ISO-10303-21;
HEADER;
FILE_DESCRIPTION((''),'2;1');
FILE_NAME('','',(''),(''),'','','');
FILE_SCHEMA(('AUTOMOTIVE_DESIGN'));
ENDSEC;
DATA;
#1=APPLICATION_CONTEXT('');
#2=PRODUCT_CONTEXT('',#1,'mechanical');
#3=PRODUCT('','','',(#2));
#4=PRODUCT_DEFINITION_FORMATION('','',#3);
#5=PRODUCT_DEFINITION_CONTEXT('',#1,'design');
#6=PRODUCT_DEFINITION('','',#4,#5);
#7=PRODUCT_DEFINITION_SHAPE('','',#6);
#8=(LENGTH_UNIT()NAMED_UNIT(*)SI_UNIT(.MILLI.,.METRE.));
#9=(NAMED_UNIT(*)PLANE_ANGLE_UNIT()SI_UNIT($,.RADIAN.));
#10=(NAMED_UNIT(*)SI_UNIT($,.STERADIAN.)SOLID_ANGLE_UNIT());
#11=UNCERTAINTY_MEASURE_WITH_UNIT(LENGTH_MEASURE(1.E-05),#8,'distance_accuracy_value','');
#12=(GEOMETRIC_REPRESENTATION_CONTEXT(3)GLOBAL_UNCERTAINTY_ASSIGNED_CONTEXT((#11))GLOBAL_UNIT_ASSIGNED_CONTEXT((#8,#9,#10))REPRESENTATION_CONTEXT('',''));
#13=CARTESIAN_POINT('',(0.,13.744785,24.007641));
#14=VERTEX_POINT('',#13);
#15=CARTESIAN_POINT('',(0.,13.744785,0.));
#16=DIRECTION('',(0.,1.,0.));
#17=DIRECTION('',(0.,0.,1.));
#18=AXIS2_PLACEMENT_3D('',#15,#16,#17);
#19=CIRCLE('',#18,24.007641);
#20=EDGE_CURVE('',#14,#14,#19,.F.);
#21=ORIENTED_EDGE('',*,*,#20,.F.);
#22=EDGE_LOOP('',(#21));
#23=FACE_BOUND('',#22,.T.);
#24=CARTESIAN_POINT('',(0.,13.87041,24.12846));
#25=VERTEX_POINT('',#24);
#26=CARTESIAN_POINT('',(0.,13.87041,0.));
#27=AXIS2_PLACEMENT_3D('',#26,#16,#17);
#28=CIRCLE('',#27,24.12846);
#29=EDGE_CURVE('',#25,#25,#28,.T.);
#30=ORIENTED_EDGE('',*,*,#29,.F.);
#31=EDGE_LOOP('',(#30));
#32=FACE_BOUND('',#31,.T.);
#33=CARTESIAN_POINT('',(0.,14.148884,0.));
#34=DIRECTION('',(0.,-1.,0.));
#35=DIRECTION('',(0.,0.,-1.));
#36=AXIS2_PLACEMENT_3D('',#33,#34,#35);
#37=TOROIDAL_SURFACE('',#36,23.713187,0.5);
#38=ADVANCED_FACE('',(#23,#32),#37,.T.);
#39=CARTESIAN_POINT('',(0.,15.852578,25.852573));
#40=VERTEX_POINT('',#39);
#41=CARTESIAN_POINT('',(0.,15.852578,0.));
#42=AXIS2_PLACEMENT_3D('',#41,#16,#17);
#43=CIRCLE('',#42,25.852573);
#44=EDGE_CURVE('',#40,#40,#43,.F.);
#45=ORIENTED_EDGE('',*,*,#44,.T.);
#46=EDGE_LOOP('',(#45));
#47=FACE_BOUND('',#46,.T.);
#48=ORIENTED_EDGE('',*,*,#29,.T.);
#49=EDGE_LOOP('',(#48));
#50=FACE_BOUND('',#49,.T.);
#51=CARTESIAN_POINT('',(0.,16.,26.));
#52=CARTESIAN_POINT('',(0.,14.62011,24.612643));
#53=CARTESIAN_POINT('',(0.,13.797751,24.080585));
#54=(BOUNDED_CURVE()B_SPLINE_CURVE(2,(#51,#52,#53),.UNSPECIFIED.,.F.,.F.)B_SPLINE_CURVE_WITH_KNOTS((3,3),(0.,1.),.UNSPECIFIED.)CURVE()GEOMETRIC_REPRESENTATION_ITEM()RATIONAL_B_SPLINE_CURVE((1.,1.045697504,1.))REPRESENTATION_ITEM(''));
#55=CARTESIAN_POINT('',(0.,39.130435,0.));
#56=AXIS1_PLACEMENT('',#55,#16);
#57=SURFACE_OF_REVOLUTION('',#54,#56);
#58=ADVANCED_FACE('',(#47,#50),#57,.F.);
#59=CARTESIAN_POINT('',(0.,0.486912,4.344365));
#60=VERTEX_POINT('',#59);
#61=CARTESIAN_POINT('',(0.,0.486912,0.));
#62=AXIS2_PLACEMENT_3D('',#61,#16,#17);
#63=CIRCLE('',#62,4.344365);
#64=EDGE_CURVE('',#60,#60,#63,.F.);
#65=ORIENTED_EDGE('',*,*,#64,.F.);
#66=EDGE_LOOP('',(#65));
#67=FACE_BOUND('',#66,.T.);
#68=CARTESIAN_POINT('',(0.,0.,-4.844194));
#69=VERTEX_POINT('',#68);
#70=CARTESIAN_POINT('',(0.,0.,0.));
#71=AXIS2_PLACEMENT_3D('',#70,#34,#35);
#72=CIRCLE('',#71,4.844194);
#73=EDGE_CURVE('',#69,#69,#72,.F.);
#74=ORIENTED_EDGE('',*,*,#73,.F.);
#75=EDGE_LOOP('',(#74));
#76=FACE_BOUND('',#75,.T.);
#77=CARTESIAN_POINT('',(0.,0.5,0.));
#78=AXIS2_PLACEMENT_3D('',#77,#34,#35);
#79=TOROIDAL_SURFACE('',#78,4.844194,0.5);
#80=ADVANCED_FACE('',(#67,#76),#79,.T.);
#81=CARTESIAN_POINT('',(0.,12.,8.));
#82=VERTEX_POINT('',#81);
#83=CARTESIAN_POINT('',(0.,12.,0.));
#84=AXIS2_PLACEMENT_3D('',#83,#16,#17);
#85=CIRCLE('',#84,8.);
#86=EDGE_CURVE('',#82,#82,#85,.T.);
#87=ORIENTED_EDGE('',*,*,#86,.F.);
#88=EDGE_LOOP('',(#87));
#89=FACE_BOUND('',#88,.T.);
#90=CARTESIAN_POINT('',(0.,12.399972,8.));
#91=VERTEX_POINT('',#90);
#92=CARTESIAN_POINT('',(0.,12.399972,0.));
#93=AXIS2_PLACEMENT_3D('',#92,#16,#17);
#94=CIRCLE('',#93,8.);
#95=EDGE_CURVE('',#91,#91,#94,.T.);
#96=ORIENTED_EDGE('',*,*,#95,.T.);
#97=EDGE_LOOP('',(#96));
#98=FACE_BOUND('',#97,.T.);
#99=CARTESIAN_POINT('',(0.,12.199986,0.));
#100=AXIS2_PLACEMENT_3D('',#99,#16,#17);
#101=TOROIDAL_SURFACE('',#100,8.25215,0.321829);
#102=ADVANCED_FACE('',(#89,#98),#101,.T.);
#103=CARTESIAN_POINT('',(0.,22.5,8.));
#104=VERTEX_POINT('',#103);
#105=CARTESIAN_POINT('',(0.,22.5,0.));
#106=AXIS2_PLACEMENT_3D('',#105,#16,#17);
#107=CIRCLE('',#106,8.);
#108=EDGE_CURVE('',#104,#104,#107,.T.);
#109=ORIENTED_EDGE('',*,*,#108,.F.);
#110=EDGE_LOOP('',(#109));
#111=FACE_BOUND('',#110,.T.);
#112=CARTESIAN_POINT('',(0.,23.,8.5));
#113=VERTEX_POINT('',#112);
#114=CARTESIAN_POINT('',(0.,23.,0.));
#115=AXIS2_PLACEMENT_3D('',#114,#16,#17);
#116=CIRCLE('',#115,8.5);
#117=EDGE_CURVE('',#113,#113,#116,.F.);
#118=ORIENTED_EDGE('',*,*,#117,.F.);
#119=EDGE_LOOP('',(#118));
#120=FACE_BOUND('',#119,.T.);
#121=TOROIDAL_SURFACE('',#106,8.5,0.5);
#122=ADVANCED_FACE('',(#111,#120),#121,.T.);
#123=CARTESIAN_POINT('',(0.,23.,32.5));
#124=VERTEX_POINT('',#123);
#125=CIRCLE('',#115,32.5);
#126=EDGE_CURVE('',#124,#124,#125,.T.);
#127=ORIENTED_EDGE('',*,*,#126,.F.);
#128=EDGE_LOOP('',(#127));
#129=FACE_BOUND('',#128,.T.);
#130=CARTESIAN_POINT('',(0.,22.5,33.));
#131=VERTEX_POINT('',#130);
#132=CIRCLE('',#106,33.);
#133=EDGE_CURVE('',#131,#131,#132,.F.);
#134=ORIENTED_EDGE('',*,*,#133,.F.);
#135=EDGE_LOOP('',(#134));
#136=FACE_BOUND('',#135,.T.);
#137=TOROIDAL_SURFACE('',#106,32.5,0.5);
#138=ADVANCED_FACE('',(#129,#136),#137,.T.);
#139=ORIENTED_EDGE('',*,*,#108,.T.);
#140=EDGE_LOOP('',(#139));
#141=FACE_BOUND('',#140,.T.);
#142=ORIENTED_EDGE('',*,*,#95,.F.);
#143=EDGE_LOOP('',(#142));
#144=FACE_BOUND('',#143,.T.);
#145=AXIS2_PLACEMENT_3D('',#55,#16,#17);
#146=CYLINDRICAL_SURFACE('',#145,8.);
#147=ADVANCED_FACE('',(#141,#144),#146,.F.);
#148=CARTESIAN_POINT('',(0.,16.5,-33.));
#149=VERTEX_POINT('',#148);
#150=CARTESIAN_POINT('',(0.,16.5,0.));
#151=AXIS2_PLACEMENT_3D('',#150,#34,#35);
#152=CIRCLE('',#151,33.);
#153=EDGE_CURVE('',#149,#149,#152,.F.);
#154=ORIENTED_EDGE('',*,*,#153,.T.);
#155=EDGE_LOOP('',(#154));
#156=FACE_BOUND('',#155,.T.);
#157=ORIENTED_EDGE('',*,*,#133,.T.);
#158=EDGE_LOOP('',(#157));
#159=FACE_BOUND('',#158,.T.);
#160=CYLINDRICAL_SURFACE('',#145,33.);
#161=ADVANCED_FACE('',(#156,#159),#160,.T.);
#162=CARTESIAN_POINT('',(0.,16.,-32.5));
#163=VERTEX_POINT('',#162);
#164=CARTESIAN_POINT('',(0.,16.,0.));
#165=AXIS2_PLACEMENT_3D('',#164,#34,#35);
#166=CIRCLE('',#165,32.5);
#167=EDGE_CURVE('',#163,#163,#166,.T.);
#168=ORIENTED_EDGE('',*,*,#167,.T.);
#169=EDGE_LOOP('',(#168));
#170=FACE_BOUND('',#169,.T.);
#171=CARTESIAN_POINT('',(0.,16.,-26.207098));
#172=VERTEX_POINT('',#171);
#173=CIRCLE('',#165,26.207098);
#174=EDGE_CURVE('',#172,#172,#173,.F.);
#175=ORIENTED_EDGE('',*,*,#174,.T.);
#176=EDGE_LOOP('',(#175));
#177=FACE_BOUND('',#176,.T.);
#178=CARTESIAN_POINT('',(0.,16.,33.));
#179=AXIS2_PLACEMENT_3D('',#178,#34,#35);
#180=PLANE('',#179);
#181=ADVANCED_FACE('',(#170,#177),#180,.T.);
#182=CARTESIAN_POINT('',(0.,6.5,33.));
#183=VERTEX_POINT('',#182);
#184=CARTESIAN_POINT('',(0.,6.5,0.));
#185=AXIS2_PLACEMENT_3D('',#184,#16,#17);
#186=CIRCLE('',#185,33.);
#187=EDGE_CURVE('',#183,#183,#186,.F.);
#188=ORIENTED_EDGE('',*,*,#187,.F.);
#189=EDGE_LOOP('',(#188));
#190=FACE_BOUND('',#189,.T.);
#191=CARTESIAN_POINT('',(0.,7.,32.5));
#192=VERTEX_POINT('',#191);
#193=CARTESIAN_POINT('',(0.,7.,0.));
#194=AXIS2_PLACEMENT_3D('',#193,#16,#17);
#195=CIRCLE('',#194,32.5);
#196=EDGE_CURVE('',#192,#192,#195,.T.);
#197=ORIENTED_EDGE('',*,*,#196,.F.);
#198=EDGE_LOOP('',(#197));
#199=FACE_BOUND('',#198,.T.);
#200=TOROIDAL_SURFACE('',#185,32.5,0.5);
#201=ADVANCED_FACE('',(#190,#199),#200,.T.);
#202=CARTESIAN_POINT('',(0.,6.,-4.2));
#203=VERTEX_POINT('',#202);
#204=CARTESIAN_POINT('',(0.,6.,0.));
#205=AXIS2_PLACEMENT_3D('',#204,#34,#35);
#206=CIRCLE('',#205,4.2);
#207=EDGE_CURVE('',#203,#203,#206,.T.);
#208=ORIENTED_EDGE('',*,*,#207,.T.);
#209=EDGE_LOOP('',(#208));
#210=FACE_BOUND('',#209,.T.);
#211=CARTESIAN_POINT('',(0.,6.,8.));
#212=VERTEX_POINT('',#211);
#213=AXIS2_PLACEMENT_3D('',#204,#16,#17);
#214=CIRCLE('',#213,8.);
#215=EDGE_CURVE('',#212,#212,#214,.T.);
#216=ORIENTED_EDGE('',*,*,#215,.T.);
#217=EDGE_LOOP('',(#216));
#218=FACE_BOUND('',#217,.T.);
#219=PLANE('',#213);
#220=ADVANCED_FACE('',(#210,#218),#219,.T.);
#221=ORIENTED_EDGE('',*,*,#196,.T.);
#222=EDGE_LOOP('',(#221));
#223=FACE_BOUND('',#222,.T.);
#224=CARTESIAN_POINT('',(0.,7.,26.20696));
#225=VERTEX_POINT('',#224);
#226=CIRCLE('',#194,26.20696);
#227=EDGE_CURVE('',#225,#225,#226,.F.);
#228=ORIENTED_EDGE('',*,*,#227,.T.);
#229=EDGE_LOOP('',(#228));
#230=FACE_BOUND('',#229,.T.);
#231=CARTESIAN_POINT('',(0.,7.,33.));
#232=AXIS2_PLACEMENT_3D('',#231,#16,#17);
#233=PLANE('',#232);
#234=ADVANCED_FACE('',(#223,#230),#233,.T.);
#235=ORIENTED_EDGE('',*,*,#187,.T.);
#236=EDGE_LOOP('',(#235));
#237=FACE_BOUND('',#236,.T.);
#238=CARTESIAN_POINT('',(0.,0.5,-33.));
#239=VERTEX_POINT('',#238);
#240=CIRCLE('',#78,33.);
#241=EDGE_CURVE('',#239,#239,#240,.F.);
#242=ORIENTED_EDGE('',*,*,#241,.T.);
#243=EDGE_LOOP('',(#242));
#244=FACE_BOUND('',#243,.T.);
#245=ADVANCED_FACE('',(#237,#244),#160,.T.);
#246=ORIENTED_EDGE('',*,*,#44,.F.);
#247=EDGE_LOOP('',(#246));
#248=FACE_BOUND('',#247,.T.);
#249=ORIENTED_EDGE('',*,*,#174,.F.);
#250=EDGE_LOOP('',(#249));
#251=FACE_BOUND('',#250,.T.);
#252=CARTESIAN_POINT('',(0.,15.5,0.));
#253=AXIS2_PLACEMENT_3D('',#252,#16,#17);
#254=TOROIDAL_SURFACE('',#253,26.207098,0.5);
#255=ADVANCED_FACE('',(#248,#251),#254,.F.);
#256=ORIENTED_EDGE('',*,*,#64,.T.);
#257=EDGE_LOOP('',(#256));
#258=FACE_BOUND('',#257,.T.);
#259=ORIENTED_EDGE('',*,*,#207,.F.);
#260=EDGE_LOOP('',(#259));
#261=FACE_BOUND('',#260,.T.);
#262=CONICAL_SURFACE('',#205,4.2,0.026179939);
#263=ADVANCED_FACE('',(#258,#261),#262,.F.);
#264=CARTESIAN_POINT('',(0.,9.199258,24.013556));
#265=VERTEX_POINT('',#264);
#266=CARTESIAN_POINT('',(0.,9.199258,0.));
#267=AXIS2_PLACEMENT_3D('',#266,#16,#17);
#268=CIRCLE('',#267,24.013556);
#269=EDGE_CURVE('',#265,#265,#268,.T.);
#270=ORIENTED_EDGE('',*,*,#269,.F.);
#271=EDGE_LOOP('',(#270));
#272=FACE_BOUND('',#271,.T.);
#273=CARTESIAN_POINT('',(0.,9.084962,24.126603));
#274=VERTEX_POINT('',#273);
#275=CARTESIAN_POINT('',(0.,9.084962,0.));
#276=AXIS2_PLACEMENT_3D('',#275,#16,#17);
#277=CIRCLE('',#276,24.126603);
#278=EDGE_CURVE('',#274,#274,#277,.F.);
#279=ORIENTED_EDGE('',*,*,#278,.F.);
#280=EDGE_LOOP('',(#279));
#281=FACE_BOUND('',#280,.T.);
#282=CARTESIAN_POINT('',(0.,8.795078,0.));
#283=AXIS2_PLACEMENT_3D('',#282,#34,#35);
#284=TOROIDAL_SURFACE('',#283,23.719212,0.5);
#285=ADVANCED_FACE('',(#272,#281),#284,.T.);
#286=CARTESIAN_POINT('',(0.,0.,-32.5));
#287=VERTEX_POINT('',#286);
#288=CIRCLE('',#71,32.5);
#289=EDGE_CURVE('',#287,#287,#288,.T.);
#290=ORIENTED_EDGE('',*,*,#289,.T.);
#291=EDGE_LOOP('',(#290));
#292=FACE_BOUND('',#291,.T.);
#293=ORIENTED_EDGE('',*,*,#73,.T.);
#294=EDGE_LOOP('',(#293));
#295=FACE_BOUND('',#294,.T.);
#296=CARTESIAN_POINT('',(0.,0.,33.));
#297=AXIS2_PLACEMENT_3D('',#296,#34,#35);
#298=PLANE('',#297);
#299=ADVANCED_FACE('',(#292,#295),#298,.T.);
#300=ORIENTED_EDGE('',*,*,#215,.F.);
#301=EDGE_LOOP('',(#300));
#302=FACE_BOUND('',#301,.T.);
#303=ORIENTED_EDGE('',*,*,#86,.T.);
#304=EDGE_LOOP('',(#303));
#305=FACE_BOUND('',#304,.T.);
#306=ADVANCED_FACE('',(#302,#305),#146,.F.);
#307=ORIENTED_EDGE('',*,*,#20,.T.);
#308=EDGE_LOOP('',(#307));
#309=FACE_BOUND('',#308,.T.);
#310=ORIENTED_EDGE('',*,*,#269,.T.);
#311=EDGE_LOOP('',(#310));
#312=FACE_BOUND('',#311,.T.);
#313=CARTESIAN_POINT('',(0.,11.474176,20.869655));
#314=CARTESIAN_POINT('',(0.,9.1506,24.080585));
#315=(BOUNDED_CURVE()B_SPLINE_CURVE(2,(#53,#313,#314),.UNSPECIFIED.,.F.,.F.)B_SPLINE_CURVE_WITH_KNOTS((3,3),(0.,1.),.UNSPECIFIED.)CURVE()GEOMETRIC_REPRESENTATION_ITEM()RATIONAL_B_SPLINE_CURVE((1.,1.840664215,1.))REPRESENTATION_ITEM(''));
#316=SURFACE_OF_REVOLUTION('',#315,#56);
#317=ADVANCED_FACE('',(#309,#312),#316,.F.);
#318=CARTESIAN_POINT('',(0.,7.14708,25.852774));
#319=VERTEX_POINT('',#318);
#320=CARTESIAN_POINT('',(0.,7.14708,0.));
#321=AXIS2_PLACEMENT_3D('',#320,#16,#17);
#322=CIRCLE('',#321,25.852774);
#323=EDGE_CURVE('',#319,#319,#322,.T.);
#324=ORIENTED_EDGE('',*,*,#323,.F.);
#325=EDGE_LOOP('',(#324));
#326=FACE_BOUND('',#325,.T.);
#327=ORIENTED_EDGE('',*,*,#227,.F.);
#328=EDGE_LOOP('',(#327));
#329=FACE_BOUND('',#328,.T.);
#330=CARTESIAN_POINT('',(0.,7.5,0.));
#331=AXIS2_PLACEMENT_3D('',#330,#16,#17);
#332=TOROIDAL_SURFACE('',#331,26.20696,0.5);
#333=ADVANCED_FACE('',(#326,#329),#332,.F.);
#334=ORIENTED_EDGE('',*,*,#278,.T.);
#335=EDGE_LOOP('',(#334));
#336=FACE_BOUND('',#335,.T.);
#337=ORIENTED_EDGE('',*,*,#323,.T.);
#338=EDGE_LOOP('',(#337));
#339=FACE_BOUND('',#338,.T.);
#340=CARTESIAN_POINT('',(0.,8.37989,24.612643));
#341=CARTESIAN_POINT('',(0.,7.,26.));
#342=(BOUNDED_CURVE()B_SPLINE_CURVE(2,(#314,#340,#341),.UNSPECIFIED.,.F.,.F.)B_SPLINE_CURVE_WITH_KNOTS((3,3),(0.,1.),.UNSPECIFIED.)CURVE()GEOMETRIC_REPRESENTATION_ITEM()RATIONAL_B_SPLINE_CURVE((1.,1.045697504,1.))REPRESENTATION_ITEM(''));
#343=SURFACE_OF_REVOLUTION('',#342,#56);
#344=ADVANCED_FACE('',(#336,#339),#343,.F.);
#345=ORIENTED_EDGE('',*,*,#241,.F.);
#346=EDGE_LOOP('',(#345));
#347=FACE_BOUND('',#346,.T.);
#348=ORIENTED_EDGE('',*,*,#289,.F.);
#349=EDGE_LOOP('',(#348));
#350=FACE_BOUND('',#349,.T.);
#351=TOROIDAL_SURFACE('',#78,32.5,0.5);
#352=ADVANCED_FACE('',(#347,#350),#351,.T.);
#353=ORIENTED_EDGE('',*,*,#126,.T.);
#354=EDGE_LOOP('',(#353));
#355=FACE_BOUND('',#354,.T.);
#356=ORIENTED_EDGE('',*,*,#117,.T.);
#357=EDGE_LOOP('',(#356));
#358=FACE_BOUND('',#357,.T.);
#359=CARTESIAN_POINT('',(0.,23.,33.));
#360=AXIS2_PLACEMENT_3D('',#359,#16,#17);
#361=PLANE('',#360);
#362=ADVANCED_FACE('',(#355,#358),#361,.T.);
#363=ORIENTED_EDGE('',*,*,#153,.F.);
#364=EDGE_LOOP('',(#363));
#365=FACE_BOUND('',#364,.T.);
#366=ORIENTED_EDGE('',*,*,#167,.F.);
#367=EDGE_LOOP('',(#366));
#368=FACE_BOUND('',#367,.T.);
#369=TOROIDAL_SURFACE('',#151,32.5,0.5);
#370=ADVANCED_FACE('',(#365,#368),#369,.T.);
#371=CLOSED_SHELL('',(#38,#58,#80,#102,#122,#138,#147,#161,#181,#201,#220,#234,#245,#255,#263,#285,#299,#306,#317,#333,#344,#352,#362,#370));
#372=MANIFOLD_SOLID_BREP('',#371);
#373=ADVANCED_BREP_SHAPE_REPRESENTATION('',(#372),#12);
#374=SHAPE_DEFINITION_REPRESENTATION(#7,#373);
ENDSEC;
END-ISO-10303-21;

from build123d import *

# Parameters (mm, degrees)
SKETCH2_R          = 4.2
CUT_EXTRUDE1_DEPTH = 50.668903753
CUT_EXTRUDE1_DRAFT = -1.5
FILLET1_R          = 0.5


with BuildPart() as part:
    # Sketch1 → Revolve1 (revolve)
    with BuildSketch(Plane(origin=(0, 0, 0), x_dir=(0, 0, -1), z_dir=(1, 0, 0))):
        with BuildLine():
            Line((-33, 0), (0, 0))
            Line((0, 0), (0, 6))
            Line((0, 6), (-8, 6))
            Line((-8, 6), (-8, 12))
            ThreePointArc((-8, 12), (-7.93032073, 12.199986164), (-8, 12.399972329))
            Line((-8, 12.399972329), (-8, 15.5))
            Line((-8, 15.5), (-8, 23))
            Line((-8, 23), (-33, 23))
            Line((-33, 23), (-33, 16))
            Line((-33, 16), (-26, 16))
            add(Edge.make_bspline(
                [(-24.080585445, 13.797751197), (-24.612643103, 14.620109751), (-26, 16)],
                knots=[0, 0, 0, 1, 1, 1], degree=2, weights=[1, 1.045697504, 1]))
            add(Edge.make_bspline(
                [(-24.080585445, 13.797751197), (-20.86965508, 11.474175575), (-24.080585445, 9.150599954)],
                knots=[0, 0, 0, 1, 1, 1], degree=2, weights=[1, 1.840664215, 1]))
            add(Edge.make_bspline(
                [(-26, 7), (-24.612643103, 8.379890249), (-24.080585445, 9.150599954)],
                knots=[0, 0, 0, 1, 1, 1], degree=2, weights=[1, 1.045697504, 1]))
            Line((-26, 7), (-33, 7))
            Line((-33, 7), (-33, 0))
        make_face()
    revolve(axis=Axis((0, 39.130434783, 0), (0, -1, 0)))


with BuildPart() as cut_extrude1_tool:
    # Sketch2 → Cut-Extrude1 (with draft: the straight prism first)
    with BuildSketch(Plane.XZ.offset(-6)):
        Circle(SKETCH2_R)
    extrude(amount=CUT_EXTRUDE1_DEPTH)
    # Cut-Extrude1: the draft: its side faces are tilted about the plane it starts from
    cut_extrude1_sides = [cut_extrude1_tool.faces().sort_by_distance(p)[0] for p in [
        (-4.2, -19.334451876, 0),
    ]]
    draft(cut_extrude1_sides, Plane.XZ.offset(-6), CUT_EXTRUDE1_DRAFT)


with BuildPart() as part_1:
    add(part.part)

    # Cut-Extrude1: cut by cut_extrude1_tool
    add(cut_extrude1_tool.part, mode=Mode.SUBTRACT)

    # Fillet1
    fillet1_edges = [part_1.edges().sort_by_distance(p)[0] for p in [
        (0, 0, -33),
        (0, 7, -33),
        (0, 7, -26),
        (0, 9.150599954, -24.080585445),
        (0, 13.797751197, -24.080585445),
        (0, 16, -26),
        (0, 16, -33),
        (0, 23, -33),
        (0, 23, -8),
        (-4.357115529, 0, 0),
    ]]
    fillet(fillet1_edges, radius=FILLET1_R)


solid = part_1.part
